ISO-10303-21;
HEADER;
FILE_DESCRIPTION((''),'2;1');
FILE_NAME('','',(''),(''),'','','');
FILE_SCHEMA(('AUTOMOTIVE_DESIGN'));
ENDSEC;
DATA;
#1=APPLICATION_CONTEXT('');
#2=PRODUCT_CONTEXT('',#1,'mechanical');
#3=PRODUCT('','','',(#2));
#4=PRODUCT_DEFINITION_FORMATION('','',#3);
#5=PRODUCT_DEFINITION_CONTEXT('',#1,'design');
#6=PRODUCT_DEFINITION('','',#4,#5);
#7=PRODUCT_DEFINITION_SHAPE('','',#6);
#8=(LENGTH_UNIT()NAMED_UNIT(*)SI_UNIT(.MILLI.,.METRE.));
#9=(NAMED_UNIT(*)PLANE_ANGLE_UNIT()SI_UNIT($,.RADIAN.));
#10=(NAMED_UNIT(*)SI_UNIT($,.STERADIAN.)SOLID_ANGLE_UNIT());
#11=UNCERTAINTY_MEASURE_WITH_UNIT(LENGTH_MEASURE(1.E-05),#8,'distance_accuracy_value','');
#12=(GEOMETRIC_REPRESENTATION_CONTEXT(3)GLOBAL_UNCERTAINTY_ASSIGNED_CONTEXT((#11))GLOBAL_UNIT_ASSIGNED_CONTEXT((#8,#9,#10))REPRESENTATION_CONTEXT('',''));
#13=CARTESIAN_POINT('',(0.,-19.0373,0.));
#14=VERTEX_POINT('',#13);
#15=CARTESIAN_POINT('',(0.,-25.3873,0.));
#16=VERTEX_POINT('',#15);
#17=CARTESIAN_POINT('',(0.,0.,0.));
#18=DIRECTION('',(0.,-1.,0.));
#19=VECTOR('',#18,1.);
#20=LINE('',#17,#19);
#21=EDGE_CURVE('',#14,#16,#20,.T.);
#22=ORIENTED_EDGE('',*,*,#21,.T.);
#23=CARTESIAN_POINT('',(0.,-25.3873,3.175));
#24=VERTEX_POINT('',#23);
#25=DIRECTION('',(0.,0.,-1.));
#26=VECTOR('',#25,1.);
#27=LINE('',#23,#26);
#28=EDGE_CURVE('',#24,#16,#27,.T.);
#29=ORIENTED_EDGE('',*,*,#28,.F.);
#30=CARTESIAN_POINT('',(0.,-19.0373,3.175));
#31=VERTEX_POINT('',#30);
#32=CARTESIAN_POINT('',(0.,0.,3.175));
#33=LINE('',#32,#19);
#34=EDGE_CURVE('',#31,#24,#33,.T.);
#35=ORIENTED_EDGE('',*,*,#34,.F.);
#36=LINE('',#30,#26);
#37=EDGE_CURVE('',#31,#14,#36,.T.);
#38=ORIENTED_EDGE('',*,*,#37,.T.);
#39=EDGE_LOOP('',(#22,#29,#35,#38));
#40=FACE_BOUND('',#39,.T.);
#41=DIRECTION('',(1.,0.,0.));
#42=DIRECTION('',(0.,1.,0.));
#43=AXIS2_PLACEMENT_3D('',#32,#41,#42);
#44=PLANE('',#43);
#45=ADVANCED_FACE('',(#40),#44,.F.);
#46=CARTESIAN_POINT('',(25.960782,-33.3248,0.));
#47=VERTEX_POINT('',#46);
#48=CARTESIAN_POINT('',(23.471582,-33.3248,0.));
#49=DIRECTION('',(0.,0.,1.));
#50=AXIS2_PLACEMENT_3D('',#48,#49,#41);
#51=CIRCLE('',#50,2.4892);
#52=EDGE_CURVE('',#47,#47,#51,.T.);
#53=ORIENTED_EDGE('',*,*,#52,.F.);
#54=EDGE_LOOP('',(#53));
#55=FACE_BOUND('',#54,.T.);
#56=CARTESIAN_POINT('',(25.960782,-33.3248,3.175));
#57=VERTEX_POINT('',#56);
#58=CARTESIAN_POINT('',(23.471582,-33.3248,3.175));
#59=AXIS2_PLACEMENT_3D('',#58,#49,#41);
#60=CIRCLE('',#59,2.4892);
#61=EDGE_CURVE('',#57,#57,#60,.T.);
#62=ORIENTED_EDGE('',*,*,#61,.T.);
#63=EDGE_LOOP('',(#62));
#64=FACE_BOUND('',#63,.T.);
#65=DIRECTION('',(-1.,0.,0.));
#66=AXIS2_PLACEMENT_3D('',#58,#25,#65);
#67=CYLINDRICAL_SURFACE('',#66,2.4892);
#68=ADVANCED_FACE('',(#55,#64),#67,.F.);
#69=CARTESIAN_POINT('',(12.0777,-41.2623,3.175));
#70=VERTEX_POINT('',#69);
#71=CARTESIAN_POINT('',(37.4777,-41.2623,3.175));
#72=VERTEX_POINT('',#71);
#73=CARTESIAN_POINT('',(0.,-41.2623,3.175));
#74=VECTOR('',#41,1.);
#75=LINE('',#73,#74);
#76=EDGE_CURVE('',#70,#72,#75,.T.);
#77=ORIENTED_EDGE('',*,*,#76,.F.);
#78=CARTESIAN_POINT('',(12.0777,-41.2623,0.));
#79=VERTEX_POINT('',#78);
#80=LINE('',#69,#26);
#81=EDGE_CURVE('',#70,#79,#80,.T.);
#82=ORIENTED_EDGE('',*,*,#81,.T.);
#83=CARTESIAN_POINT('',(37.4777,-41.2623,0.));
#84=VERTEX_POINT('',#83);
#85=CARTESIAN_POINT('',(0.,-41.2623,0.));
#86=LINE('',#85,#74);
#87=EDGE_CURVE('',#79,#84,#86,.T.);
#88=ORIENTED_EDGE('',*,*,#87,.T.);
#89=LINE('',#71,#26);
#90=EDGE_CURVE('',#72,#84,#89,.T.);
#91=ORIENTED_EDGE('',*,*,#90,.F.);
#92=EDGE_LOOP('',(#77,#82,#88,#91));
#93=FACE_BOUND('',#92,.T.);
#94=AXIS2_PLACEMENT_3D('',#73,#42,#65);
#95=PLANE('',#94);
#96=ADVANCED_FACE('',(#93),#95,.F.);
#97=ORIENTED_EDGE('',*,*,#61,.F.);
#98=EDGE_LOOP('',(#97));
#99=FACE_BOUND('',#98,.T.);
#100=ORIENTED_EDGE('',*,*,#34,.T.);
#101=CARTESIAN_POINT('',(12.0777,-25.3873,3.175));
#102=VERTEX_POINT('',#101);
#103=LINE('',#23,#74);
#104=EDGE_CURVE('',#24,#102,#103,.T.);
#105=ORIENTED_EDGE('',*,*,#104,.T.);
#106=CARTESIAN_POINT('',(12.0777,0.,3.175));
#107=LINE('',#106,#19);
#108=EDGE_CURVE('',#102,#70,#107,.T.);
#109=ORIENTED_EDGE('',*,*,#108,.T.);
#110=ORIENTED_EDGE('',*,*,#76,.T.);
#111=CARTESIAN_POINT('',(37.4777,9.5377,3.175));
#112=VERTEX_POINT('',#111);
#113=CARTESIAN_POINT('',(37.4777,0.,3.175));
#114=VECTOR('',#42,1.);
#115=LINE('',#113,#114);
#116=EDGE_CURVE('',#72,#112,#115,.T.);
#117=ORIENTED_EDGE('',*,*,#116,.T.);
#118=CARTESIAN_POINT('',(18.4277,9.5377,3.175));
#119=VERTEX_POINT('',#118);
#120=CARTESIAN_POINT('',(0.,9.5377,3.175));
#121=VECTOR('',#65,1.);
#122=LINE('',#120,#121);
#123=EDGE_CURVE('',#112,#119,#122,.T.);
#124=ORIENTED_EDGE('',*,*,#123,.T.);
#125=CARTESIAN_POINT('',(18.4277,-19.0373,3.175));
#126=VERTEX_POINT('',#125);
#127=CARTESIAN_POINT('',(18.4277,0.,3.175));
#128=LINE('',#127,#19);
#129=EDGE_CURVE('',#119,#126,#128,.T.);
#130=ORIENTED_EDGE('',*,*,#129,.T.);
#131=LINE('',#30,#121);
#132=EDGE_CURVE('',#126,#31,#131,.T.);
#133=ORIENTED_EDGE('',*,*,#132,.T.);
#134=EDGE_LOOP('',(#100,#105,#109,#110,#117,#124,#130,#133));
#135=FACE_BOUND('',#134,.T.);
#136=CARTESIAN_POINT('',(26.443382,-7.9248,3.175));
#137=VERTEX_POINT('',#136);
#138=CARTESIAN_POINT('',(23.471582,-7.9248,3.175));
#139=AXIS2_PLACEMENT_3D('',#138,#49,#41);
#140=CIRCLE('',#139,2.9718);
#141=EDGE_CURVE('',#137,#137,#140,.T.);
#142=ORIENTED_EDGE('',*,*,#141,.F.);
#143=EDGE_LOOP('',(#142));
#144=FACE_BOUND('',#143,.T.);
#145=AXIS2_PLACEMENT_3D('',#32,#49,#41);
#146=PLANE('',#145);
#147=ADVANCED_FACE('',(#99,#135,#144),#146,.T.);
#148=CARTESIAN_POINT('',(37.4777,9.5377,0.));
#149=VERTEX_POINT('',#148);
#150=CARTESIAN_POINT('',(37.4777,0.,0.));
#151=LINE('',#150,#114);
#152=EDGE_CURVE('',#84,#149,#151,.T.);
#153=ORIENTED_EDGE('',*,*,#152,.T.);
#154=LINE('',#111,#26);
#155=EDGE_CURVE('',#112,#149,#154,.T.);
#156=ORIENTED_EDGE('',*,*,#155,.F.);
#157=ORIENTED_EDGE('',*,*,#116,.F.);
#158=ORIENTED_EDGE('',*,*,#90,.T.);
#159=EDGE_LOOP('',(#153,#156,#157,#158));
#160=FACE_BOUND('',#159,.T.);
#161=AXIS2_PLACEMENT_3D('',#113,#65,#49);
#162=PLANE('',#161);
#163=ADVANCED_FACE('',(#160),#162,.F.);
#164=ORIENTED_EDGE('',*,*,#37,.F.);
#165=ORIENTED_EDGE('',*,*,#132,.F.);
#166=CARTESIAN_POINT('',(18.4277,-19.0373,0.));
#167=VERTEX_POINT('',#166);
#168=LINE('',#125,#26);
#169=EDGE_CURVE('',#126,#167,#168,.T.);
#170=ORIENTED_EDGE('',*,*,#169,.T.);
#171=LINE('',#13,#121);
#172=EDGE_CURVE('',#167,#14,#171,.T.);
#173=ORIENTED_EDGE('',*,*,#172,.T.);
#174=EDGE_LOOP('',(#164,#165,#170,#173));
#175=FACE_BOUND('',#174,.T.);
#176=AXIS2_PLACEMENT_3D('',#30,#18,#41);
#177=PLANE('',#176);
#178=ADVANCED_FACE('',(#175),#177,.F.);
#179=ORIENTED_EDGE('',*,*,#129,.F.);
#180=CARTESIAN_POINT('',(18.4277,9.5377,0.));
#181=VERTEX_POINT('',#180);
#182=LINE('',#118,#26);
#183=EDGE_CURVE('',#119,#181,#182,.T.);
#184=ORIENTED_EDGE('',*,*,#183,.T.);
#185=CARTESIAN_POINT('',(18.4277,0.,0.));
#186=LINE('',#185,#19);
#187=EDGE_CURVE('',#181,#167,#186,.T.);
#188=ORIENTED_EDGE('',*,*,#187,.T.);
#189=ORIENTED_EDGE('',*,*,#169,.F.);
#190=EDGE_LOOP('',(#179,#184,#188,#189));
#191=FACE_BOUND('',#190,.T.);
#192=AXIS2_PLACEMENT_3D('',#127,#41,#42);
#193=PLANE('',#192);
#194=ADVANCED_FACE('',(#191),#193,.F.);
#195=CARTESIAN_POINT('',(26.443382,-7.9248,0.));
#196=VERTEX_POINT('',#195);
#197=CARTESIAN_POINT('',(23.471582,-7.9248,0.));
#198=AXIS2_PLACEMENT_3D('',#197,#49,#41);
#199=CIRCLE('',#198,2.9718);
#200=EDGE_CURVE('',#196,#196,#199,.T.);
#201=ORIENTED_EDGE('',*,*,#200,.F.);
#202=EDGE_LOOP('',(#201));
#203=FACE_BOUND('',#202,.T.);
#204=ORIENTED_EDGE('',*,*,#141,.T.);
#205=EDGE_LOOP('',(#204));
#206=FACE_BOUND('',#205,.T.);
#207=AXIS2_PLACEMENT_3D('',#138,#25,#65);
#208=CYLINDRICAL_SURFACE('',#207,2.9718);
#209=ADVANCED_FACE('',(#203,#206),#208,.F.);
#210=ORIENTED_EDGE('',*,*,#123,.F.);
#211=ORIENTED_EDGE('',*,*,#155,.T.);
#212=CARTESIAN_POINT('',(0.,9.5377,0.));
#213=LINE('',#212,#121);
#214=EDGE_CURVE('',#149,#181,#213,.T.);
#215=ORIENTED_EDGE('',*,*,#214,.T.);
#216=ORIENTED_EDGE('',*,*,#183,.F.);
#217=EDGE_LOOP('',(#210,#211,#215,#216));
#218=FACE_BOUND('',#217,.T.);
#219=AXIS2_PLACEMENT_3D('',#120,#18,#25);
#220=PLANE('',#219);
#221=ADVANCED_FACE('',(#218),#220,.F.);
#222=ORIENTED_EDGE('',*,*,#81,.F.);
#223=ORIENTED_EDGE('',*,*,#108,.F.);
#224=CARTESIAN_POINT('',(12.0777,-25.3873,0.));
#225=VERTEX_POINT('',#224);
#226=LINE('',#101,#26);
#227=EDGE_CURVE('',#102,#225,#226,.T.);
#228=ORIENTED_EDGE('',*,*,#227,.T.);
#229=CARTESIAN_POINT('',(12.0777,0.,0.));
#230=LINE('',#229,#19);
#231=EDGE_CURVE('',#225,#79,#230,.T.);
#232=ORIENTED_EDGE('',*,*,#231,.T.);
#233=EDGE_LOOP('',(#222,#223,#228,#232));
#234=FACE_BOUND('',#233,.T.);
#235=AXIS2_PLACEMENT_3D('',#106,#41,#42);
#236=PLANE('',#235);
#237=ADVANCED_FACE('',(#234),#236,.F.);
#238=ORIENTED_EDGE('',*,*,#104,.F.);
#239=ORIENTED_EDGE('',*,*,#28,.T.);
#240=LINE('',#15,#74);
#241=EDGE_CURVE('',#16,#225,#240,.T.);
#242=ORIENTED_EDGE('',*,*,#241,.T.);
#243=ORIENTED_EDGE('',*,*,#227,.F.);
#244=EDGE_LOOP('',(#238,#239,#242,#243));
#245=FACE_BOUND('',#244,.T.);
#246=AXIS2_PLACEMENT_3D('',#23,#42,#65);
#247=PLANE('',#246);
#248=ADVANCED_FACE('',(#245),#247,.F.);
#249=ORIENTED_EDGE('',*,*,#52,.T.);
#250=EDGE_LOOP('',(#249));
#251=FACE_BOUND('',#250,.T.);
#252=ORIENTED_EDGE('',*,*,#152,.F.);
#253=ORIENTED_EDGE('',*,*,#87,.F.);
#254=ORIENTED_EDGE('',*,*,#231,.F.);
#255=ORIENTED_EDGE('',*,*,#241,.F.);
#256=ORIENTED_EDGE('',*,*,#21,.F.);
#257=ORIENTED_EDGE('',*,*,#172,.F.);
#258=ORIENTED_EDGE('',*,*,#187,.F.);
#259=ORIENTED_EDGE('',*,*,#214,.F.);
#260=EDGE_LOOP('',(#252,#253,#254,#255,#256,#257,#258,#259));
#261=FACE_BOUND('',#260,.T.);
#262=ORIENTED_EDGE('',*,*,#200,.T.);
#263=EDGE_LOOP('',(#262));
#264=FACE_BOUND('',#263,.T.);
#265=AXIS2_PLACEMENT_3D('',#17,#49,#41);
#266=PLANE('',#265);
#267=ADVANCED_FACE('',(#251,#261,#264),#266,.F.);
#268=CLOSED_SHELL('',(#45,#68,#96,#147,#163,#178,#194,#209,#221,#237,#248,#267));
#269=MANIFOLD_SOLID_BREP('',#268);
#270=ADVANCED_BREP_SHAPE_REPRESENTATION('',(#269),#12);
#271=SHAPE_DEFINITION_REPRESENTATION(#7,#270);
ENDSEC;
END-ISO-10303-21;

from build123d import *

# Parameters (mm, degrees)
SKETCH1_R           = 2.4892
SKETCH1_R_2         = 2.9718
BOSS_EXTRUDE1_DEPTH = 3.175
SKETCH2_W           = 18.4277
SKETCH2_H           = 6.35
CUT_EXTRUDE1_DEPTH  = 4.175


with BuildPart() as part:
    # Sketch1 → Boss-Extrude1 (new body)
    with BuildSketch(Plane.XY):
        Polygon((37.4777, 9.5377), (0, 9.5377), (0, 3.1877), (18.4277, 3.1877), (18.4277, -19.0373), (0, -19.0373), (0, -25.3873), (12.0777, -25.3873), (12.0777, -41.2623), (37.4777, -41.2623), align=None)
        with Locations((23.471581917, -33.3248)):
            Circle(SKETCH1_R, mode=Mode.SUBTRACT)
        with Locations((23.471581917, -7.9248)):
            Circle(SKETCH1_R_2, mode=Mode.SUBTRACT)
    extrude(amount=BOSS_EXTRUDE1_DEPTH)

    # Sketch2 → Cut-Extrude1 (cut, through all)
    with BuildSketch(Plane(origin=(0, 0, 0), x_dir=(-1, 0, 0), z_dir=(0, 0, -1))):
        with Locations((-9.21385, 6.3627)):
            Rectangle(SKETCH2_W, SKETCH2_H)
    extrude(amount=-CUT_EXTRUDE1_DEPTH, mode=Mode.SUBTRACT)


solid = part.part
